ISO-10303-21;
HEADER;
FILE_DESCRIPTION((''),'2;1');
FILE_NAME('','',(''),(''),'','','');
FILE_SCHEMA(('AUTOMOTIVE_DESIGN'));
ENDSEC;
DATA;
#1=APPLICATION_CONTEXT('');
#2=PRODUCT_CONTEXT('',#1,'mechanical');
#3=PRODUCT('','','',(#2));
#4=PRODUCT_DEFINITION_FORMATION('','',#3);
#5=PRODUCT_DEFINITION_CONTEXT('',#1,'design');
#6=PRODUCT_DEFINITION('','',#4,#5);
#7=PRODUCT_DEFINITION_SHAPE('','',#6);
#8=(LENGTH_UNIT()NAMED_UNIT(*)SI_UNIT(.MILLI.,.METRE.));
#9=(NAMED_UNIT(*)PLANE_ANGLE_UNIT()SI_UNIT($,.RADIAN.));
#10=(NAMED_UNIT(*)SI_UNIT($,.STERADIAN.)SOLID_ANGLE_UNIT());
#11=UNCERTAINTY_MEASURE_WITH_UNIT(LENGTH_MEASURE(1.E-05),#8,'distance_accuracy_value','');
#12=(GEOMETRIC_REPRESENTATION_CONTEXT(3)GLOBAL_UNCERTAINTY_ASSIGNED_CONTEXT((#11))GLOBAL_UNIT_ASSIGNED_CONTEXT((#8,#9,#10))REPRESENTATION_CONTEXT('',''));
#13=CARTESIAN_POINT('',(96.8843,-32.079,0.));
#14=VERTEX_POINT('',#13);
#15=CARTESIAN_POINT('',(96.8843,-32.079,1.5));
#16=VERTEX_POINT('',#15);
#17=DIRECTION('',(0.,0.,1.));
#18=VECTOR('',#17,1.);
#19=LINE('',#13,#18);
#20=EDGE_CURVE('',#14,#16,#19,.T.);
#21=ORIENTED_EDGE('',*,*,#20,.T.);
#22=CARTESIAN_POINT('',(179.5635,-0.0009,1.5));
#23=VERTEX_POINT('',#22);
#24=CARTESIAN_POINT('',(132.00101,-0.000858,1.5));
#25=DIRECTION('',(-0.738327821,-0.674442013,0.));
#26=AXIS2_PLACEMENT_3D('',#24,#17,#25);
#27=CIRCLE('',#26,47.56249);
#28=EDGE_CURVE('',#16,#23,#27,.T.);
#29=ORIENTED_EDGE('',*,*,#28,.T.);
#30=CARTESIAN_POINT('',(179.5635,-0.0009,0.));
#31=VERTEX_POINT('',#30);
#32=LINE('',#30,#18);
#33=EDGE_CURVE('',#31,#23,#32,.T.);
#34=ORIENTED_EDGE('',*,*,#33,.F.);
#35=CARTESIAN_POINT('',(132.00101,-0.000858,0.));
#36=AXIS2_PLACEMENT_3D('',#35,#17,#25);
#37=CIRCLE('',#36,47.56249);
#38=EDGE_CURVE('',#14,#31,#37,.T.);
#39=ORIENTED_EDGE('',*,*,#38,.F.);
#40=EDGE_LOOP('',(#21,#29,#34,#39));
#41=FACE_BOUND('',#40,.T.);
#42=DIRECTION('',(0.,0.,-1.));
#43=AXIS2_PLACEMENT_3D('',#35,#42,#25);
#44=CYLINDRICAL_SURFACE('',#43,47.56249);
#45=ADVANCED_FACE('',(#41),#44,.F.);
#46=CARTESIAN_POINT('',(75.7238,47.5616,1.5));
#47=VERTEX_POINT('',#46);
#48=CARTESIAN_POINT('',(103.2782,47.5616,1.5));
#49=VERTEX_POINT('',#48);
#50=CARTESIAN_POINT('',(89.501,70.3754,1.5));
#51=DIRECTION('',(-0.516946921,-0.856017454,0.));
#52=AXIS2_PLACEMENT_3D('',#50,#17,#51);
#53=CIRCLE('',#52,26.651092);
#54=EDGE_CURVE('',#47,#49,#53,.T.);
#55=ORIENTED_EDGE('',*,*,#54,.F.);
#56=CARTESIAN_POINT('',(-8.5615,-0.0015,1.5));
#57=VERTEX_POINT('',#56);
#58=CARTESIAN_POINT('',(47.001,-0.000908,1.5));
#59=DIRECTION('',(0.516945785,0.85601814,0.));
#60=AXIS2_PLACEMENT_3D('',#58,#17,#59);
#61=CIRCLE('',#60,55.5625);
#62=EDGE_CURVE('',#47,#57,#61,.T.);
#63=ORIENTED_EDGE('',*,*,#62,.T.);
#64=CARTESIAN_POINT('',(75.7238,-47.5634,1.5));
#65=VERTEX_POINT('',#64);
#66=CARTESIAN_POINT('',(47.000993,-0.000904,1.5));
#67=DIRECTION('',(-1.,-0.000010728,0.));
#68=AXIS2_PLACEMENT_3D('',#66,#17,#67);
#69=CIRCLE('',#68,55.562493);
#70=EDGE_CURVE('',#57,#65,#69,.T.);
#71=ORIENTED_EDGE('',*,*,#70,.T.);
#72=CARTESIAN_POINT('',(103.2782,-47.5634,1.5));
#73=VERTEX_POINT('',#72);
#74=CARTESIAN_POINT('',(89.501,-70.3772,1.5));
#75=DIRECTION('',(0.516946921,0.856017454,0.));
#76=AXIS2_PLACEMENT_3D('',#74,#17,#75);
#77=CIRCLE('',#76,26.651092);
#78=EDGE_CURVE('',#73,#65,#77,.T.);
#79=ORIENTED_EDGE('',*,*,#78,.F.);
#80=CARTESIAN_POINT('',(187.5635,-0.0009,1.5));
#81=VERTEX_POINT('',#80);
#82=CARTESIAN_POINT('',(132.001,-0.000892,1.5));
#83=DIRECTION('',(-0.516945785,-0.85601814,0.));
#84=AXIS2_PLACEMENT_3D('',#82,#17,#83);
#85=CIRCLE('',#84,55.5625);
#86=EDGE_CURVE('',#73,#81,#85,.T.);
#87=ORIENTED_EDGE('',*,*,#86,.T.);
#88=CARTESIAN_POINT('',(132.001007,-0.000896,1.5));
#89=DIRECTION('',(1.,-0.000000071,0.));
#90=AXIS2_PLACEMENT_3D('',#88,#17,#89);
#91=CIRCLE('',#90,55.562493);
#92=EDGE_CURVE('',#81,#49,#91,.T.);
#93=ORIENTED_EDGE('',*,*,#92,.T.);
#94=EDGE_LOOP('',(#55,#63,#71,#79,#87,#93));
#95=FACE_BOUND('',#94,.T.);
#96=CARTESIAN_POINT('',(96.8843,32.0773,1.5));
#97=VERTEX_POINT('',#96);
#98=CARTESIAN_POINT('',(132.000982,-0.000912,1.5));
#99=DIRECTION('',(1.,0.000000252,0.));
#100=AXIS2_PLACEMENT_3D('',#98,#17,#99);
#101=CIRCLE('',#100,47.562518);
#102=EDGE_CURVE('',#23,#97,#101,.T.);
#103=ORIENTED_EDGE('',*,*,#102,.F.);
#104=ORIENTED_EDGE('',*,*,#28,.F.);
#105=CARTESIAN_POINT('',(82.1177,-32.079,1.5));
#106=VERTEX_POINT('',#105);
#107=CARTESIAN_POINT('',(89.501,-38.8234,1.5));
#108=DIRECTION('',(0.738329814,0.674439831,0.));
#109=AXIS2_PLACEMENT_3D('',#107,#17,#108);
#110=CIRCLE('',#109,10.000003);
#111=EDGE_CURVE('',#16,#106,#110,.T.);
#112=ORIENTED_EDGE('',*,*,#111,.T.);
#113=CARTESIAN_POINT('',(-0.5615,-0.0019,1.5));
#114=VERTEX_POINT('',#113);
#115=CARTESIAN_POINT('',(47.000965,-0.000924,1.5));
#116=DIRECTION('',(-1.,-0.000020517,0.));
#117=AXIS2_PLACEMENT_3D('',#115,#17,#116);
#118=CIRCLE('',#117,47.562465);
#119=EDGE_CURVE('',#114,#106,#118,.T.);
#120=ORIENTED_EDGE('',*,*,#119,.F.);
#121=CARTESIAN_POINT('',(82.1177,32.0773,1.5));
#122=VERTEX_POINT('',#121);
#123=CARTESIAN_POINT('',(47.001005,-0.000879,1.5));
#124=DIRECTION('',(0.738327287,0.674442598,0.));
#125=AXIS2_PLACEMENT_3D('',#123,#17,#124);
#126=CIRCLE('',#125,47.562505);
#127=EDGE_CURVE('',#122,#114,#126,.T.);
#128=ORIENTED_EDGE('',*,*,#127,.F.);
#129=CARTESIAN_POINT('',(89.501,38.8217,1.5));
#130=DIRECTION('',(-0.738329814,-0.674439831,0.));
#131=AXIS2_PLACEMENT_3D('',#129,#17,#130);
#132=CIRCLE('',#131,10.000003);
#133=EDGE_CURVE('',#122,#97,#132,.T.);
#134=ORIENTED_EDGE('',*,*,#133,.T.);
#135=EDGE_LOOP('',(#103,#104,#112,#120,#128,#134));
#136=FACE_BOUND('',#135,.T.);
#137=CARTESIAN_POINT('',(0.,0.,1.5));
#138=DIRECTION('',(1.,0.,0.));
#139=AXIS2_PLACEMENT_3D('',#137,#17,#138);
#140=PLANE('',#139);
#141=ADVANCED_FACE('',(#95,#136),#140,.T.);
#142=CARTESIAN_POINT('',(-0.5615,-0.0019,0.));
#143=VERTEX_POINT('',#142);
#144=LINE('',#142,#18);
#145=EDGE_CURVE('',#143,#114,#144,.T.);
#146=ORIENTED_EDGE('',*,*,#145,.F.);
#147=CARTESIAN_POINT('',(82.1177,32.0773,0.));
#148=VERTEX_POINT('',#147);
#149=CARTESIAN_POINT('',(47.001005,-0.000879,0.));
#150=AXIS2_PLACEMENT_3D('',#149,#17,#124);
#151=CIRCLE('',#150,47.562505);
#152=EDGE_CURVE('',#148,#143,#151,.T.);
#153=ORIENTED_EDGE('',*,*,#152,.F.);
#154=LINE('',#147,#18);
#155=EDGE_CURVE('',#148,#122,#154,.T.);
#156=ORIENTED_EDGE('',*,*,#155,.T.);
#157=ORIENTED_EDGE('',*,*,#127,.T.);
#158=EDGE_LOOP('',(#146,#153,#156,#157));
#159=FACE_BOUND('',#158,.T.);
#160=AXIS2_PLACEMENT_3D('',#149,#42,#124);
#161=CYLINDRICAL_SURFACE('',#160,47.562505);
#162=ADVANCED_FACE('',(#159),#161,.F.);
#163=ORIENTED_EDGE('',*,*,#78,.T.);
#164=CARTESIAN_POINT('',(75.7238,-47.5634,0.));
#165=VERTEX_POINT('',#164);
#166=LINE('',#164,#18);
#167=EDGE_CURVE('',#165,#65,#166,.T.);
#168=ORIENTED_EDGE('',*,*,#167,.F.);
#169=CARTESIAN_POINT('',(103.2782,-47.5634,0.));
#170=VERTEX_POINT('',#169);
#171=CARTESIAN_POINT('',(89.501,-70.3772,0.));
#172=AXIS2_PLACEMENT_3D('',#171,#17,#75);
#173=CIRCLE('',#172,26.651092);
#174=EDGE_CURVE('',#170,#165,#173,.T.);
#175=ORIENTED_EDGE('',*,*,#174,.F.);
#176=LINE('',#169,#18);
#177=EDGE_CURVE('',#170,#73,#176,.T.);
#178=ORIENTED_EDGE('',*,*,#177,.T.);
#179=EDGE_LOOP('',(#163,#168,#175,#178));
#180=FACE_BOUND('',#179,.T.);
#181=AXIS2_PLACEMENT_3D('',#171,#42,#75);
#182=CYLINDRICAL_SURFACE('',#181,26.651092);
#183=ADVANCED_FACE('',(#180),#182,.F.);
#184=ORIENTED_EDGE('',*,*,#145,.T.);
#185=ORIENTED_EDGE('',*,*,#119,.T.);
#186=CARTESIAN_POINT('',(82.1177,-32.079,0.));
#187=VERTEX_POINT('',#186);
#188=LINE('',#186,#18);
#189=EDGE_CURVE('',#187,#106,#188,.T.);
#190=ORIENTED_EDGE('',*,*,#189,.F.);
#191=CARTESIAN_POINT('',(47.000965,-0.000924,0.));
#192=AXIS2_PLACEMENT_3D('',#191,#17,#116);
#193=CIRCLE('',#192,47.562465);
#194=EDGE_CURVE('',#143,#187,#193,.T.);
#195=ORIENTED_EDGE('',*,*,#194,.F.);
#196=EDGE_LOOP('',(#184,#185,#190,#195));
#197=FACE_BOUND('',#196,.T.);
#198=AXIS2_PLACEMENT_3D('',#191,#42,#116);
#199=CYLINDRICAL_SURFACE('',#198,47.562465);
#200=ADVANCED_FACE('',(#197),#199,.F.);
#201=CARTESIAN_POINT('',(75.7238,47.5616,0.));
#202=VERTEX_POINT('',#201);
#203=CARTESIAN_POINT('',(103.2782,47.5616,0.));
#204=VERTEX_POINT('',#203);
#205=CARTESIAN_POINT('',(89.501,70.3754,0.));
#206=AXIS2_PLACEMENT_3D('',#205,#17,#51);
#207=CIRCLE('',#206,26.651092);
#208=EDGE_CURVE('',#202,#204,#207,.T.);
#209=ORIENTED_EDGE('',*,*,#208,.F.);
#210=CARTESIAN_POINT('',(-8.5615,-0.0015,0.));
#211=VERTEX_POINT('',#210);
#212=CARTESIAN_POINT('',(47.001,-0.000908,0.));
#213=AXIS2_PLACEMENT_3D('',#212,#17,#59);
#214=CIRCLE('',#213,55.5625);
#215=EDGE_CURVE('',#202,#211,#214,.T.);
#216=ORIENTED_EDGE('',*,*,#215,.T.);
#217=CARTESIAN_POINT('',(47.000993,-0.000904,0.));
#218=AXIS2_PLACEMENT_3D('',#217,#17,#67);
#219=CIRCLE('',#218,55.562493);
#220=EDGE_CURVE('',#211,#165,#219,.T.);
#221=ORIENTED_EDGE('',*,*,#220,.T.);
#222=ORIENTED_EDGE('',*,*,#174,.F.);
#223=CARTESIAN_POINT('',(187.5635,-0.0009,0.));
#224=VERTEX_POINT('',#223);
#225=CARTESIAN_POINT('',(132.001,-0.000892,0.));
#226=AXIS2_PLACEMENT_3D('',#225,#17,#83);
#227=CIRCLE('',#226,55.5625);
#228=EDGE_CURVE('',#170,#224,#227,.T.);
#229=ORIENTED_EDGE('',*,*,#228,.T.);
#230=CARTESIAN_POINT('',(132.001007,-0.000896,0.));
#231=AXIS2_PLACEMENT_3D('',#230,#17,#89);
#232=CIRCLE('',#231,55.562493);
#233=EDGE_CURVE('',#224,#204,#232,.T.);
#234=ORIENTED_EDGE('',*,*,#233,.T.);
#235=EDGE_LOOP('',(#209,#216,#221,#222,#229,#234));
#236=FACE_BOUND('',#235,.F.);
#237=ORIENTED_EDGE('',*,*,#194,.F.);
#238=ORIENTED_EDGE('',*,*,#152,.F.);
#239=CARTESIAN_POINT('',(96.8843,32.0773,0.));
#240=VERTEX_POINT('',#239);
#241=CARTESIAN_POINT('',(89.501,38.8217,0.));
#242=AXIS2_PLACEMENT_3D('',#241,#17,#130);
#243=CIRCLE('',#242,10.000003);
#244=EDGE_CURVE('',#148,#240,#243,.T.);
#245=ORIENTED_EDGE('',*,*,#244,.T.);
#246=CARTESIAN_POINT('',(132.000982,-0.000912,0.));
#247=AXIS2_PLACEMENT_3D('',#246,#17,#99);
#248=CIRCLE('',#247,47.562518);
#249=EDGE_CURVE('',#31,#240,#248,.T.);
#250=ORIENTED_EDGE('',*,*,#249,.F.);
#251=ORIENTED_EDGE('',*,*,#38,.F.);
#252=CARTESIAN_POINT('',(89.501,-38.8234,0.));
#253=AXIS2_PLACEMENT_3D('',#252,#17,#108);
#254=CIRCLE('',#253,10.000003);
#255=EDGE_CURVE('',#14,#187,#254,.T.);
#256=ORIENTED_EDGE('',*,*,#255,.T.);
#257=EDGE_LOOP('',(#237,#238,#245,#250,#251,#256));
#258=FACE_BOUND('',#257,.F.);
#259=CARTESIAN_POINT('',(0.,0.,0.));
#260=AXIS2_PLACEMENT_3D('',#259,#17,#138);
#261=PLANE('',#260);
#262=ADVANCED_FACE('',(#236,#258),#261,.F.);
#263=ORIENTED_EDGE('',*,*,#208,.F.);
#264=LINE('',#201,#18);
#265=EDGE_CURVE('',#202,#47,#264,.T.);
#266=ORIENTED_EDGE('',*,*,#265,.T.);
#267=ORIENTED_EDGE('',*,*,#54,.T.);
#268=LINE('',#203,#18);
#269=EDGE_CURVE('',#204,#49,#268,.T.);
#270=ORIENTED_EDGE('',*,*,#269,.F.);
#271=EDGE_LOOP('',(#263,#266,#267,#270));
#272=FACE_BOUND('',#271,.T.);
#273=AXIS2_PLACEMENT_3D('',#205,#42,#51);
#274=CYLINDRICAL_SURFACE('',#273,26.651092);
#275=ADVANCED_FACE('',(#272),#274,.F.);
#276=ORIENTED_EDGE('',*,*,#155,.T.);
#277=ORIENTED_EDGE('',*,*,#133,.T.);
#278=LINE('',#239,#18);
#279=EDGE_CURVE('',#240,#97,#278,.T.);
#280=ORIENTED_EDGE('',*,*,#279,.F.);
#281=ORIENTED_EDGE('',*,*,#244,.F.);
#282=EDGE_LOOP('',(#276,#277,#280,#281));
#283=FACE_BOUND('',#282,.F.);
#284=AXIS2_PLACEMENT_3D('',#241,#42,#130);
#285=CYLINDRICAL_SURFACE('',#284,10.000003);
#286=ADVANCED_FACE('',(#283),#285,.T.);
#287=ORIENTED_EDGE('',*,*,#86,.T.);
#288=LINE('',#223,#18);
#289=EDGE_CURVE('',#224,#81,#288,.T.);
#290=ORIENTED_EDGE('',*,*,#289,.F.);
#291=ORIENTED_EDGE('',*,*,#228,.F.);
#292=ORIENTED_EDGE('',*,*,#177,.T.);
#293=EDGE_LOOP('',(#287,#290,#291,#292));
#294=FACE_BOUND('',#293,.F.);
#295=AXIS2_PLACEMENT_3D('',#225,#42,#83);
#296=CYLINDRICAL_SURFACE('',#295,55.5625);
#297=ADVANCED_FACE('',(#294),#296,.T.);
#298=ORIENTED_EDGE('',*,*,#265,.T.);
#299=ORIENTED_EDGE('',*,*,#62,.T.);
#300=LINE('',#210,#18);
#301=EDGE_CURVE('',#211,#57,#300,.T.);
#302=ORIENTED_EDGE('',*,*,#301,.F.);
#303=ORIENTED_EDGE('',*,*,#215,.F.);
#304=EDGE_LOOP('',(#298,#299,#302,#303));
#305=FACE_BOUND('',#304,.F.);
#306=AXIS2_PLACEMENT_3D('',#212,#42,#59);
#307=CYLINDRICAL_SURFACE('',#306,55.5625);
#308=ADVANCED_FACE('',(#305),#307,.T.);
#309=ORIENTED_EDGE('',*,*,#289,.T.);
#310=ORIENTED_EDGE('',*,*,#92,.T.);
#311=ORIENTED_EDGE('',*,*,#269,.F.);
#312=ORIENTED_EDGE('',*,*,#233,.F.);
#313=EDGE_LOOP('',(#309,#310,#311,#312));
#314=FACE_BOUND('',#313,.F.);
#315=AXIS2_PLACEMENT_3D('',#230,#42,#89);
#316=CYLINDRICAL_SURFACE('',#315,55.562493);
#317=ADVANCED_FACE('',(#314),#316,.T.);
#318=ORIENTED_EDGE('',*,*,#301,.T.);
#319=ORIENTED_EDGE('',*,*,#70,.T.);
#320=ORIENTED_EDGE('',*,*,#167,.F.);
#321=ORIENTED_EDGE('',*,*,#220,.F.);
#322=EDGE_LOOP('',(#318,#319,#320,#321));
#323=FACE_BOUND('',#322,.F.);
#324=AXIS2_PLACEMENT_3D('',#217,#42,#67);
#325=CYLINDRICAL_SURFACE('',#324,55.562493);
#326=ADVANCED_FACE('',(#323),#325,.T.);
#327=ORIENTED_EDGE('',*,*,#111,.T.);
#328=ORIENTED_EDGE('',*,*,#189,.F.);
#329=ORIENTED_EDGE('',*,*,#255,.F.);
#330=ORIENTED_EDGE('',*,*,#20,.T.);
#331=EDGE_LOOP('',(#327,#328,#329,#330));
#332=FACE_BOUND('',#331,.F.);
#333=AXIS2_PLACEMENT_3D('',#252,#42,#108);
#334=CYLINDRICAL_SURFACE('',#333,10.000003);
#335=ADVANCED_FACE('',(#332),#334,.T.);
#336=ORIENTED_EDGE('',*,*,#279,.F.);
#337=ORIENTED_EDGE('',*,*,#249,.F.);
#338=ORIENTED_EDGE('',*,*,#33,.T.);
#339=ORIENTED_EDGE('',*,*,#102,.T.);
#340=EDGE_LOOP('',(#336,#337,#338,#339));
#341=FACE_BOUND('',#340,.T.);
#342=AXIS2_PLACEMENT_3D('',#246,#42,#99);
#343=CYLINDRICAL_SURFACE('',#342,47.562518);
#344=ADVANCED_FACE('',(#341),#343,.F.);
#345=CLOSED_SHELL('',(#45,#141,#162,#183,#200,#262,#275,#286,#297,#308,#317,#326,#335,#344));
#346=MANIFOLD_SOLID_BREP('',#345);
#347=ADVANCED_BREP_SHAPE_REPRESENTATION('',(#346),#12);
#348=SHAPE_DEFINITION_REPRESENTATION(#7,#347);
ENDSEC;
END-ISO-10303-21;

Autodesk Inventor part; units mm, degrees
ref_plane "YZ Plane" through (0, 0, 0) normal (1, 0, 0) x (0, 1, 0)
ref_plane "XZ Plane" through (0, 0, 0) normal (0, 1, 0) x (-1, 0, 0)
ref_plane "XY Plane" through (0, 0, 0) normal (0, 0, 1) x (1, 0, 0)
sketch "Sketch1" plane through (0, 0, 0) normal (0, 0, 1) x (1, 0, 0)
  line L0 (-11.999, -0.0009) -> (209.001, -0.0009) construction
  circle A0 centre (47.001, -0.0009) radius 42.5 construction
  circle A1 centre (132.001, -0.0009) radius 42.5 construction
  circle A2 centre (47.001, -0.0009) radius 47.5625 construction
  circle A3 centre (132.001, -0.0009) radius 47.5625 construction
  arc A4 (82.1177, 32.0773) -> (-0.5615, -0.0019) centre (47.001, -0.0009) ccw
  arc A5 (179.5635, -0.0009) -> (96.8843, 32.0773) centre (132.001, -0.0009) ccw
  arc A6 (-0.5615, -0.0019) -> (82.1177, -32.079) centre (47.001, -0.0009) ccw
  arc A7 (96.8843, -32.079) -> (179.5635, -0.0009) centre (132.001, -0.0009) ccw
  arc A8 (75.7238, 47.5616) -> (-8.5615, -0.0015) centre (47.001, -0.0009) ccw
  arc A9 (187.5635, -0.0009) -> (103.2782, 47.5616) centre (132.001, -0.0009) ccw
  line L1 (47.001, 47.5616) -> (132.001, 47.5616) construction
  arc A10 (75.7238, 47.5616) -> (103.2782, 47.5616) centre (89.501, 70.3754) ccw
  arc A11 (-8.5615, -0.0015) -> (75.7238, -47.5634) centre (47.001, -0.0009) ccw
  arc A12 (103.2782, -47.5634) -> (75.7238, -47.5634) centre (89.501, -70.3772) ccw
  arc A13 (103.2782, -47.5634) -> (187.5635, -0.0009) centre (132.001, -0.0009) ccw
  arc A14 (82.1177, 32.0773) -> (96.8843, 32.0773) centre (89.501, 38.8217) ccw
  line L2 (82.1177, 32.0773) -> (96.8843, 32.0773) construction
  arc A15 (96.8843, -32.079) -> (82.1177, -32.079) centre (89.501, -38.8234) ccw
  point P0 (0, 0)
  point P1 (89.501, 21.3519)
  point P2 (46.9513, 55.5616)
  point P3 (132.0501, 55.5616)
  dimension "d0" = 221
  dimension "d1" = 85
  dimension "d2" = 85
  dimension "d3" = 85
  dimension "d4" = 95.125
  dimension "d5" = 95.125
  dimension "d6" = 8
  dimension "d7" = 10
extrude "Extrusion1" add sketch "Sketch1" along normal blind 1.5
equation "\"d2\" = d1"
equation "\"d3\" = d1"
equation "\"d5\" = d4"
properties part number "Dichtung" material "Rubber, Silicone"
